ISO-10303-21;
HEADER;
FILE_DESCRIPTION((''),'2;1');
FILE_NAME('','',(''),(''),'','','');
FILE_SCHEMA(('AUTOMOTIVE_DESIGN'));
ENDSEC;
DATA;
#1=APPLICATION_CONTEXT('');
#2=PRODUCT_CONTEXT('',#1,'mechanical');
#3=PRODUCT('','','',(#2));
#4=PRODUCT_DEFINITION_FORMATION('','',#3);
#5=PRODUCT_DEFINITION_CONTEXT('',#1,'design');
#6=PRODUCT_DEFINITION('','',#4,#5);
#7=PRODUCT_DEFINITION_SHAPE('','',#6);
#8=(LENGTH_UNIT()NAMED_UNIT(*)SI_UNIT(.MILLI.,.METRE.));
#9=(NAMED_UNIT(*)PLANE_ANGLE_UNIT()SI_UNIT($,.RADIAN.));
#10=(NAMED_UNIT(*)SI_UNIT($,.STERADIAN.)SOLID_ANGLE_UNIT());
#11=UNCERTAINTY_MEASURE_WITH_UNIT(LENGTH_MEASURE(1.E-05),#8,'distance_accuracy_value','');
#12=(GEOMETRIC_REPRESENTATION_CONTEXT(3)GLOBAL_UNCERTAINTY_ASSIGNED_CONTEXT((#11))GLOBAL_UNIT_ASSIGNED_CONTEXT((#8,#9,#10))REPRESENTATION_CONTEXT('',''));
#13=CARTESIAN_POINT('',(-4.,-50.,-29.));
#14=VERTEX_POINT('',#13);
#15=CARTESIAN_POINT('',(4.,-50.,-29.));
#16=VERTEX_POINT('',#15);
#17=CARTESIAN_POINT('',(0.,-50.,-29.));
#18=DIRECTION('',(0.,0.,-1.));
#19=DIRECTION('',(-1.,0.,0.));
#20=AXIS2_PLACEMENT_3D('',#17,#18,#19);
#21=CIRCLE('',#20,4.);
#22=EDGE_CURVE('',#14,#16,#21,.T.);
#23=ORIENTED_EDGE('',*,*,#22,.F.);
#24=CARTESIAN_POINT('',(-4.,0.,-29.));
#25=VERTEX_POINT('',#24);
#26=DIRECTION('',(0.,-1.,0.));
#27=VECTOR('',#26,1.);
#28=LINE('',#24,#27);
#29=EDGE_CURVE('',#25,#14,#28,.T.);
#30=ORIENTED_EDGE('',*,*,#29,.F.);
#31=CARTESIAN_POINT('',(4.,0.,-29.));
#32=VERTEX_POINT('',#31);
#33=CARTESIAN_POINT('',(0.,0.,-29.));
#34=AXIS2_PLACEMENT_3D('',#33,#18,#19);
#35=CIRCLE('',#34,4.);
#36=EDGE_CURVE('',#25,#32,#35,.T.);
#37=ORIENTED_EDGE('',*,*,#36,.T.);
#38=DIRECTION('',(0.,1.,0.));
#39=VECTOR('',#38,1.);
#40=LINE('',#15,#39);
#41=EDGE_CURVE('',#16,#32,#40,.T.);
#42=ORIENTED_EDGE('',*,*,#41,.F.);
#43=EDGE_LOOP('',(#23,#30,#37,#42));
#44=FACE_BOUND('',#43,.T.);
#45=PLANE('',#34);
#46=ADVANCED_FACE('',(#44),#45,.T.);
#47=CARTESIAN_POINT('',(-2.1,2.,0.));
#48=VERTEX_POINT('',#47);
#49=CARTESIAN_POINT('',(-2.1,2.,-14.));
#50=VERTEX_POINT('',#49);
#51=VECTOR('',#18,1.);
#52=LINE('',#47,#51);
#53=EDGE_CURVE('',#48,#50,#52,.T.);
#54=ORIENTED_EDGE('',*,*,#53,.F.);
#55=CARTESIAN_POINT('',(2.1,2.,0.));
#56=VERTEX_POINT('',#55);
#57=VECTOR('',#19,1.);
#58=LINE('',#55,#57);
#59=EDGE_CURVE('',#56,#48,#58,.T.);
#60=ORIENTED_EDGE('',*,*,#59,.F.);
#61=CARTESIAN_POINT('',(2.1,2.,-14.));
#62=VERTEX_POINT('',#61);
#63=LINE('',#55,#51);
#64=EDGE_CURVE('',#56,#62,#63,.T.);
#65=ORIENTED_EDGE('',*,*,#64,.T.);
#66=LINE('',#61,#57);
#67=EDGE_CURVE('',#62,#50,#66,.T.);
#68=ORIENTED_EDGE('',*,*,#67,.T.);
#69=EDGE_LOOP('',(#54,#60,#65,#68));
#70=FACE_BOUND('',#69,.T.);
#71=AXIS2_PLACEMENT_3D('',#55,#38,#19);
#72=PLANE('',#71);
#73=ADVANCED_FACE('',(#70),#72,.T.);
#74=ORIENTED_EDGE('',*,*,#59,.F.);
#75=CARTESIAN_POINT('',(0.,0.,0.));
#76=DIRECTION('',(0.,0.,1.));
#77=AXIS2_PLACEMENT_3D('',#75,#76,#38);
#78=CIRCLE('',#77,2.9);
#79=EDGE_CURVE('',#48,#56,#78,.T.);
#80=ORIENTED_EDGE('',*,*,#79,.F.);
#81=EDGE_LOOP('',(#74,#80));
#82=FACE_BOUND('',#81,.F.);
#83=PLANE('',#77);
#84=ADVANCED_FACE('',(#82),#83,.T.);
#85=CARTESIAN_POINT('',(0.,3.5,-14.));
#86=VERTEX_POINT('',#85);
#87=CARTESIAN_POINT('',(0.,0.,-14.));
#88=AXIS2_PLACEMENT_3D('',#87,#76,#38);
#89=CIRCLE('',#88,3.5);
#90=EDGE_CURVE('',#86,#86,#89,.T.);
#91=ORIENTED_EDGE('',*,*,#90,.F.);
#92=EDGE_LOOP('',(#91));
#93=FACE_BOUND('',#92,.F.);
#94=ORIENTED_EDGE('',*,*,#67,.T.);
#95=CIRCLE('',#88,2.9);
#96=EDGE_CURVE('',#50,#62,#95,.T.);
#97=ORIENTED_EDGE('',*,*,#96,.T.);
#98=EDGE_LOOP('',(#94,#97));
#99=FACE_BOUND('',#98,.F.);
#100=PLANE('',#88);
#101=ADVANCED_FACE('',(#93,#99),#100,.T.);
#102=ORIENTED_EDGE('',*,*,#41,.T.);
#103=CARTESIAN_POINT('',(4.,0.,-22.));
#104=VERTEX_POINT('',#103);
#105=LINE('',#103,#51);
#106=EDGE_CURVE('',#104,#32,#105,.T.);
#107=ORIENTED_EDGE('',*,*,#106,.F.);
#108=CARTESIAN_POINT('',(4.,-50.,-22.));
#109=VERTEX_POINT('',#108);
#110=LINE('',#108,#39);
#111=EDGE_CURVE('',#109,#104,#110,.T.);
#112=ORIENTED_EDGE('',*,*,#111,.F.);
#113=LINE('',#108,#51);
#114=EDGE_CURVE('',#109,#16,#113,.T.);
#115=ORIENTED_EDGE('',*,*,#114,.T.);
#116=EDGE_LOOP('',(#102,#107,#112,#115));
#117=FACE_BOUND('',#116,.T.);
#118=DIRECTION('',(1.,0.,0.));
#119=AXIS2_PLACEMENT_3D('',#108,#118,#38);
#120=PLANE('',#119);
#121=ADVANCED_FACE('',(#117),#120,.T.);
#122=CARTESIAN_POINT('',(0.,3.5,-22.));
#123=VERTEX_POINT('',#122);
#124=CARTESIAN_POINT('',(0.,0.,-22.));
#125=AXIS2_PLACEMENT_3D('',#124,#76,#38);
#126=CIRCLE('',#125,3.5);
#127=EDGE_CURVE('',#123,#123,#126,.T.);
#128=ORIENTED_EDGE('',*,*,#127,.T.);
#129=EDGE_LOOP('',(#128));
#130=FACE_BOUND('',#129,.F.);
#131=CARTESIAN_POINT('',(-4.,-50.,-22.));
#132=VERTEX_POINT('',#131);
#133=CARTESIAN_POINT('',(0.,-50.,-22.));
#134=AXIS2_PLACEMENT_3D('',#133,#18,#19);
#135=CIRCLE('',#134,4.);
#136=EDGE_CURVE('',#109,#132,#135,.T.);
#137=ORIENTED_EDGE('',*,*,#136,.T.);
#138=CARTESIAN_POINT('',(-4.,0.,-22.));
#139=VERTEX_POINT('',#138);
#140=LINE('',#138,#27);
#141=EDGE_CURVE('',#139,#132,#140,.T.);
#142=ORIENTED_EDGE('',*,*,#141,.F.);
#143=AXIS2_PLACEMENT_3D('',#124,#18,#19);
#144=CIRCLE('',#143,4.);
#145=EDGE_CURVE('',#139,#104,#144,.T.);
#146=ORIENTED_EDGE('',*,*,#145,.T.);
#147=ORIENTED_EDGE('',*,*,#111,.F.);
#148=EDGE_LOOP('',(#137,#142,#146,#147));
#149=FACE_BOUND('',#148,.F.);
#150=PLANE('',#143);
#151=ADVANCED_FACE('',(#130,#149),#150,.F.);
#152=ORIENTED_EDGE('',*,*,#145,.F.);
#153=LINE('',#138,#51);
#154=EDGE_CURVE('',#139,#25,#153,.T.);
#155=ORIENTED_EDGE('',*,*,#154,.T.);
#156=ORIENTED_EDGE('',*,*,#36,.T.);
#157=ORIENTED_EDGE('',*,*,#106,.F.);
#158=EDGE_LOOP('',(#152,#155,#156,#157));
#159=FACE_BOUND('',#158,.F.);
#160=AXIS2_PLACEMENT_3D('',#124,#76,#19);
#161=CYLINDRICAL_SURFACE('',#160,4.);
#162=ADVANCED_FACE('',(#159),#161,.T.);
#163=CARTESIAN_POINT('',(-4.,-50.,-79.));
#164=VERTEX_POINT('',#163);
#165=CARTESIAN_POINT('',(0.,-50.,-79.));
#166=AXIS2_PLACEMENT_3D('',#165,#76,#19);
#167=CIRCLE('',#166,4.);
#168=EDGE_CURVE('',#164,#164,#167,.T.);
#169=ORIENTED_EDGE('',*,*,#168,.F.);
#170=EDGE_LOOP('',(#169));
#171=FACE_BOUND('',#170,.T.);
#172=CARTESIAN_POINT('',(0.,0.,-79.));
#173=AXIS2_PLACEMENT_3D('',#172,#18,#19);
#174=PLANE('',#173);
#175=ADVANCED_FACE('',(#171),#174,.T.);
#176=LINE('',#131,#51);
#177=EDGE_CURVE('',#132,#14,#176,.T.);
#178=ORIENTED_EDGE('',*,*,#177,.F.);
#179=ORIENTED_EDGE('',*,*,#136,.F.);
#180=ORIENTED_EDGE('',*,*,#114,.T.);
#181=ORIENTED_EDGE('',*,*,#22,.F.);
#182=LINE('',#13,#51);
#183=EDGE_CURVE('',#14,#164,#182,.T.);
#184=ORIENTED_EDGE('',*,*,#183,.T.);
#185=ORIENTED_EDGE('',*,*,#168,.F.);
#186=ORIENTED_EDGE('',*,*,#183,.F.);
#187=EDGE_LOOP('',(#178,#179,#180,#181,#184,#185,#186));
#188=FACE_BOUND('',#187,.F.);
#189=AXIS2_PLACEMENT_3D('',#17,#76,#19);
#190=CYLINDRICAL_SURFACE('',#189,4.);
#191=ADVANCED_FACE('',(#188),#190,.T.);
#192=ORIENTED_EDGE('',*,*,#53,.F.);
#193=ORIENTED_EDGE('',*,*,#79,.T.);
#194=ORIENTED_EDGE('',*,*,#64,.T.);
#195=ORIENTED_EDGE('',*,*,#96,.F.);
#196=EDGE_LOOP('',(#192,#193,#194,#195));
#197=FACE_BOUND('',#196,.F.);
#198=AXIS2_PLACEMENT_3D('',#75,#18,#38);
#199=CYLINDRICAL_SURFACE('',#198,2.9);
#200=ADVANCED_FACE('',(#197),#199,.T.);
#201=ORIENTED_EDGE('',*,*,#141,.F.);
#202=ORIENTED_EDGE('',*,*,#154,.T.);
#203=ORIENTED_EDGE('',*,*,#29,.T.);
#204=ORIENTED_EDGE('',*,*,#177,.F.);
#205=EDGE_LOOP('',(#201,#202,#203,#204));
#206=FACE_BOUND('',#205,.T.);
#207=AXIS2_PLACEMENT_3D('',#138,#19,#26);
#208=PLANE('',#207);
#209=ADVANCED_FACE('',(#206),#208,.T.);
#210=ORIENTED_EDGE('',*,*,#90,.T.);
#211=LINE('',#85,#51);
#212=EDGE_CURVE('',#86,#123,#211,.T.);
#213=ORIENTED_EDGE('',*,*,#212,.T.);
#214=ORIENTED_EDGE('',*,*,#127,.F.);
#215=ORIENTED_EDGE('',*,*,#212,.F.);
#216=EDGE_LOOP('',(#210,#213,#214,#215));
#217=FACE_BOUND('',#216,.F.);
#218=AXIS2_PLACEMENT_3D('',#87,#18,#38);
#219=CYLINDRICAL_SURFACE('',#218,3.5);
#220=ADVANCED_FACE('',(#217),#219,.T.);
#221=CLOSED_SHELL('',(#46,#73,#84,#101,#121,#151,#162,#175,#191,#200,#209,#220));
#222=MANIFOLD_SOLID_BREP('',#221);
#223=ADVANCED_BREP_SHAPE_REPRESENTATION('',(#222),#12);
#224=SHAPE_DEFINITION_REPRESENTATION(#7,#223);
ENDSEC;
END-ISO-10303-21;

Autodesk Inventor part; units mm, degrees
ref_plane "YZ Plane" through (0, 0, 0) normal (1, 0, 0) x (0, 1, 0)
ref_plane "XZ Plane" through (0, 0, 0) normal (0, 1, 0) x (-1, 0, 0)
ref_plane "XY Plane" through (0, 0, 0) normal (0, 0, 1) x (1, 0, 0)
sketch "Sketch1" plane through (0, 0, 0) normal (1, 0, 0) x (0, 1, 0)
  line L0 (0, 0) -> (2.9, 0)
  line L1 (2.9, 0) -> (2.9, -14)
  line L2 (0, -14) -> (0, 0)
  line L3 (2.9, -14) -> (3.5, -14)
  line L4 (3.5, -14) -> (3.5, -22)
  line L5 (3.5, -22) -> (0, -22)
  line L6 (0, -22) -> (0, -14)
  dimension "d0" = 14
  dimension "d1" = 3.5
  dimension "d2" = 8
  dimension "d3" = 2.9
revolve "Revolution1" add sketch "Sketch1" angle 360 about axis through (0, 0, -22) along (0, 0, 1)
sketch "Sketch2" plane through (0, 0, -22) normal (0, 0, -1) x (-1, 0, 0)
  circle A0 centre (0, 0) radius 4
  line L0 (-4, 0) -> (4, 0)
  line L1 (4, 0) -> (4, -50)
  line L2 (4, -50) -> (-4, -50)
  line L3 (-4, -50) -> (-4, 0)
  circle A1 centre (0, -50) radius 4
  point P0 (4, 0)
  dimension "d5" = 8
  dimension "d6" = 50
extrude "Extrusion1" add sketch "Sketch2" along normal blind 7
sketch "Sketch3" plane through (0, 0, -29) normal (0, 0, -1) x (-1, 0, 0)
  arc A0 (-4, -50) -> (4, -50) centre (0, -50) ccw projected
  circle A1 centre (0, -50) radius 4
  point P0 (0, 0)
  point P1 (4, -50)
  point P2 (-4, -50)
extrude "Extrusion2" add sketch "Sketch3" along normal blind 50
sketch "Sketch4" plane through (0, 0, 0) normal (0, 0, 1) x (1, 0, 0)
  line L0 (2.1, 2) -> (-2.1, 2)
  arc A0 (2.1, 2) -> (-2.1, 2) centre (0, 0) ccw
  dimension "d11" = 2
extrude "Extrusion3" cut sketch "Sketch4" against normal up to surface (14 mm away)
properties part number "HandCrank"
